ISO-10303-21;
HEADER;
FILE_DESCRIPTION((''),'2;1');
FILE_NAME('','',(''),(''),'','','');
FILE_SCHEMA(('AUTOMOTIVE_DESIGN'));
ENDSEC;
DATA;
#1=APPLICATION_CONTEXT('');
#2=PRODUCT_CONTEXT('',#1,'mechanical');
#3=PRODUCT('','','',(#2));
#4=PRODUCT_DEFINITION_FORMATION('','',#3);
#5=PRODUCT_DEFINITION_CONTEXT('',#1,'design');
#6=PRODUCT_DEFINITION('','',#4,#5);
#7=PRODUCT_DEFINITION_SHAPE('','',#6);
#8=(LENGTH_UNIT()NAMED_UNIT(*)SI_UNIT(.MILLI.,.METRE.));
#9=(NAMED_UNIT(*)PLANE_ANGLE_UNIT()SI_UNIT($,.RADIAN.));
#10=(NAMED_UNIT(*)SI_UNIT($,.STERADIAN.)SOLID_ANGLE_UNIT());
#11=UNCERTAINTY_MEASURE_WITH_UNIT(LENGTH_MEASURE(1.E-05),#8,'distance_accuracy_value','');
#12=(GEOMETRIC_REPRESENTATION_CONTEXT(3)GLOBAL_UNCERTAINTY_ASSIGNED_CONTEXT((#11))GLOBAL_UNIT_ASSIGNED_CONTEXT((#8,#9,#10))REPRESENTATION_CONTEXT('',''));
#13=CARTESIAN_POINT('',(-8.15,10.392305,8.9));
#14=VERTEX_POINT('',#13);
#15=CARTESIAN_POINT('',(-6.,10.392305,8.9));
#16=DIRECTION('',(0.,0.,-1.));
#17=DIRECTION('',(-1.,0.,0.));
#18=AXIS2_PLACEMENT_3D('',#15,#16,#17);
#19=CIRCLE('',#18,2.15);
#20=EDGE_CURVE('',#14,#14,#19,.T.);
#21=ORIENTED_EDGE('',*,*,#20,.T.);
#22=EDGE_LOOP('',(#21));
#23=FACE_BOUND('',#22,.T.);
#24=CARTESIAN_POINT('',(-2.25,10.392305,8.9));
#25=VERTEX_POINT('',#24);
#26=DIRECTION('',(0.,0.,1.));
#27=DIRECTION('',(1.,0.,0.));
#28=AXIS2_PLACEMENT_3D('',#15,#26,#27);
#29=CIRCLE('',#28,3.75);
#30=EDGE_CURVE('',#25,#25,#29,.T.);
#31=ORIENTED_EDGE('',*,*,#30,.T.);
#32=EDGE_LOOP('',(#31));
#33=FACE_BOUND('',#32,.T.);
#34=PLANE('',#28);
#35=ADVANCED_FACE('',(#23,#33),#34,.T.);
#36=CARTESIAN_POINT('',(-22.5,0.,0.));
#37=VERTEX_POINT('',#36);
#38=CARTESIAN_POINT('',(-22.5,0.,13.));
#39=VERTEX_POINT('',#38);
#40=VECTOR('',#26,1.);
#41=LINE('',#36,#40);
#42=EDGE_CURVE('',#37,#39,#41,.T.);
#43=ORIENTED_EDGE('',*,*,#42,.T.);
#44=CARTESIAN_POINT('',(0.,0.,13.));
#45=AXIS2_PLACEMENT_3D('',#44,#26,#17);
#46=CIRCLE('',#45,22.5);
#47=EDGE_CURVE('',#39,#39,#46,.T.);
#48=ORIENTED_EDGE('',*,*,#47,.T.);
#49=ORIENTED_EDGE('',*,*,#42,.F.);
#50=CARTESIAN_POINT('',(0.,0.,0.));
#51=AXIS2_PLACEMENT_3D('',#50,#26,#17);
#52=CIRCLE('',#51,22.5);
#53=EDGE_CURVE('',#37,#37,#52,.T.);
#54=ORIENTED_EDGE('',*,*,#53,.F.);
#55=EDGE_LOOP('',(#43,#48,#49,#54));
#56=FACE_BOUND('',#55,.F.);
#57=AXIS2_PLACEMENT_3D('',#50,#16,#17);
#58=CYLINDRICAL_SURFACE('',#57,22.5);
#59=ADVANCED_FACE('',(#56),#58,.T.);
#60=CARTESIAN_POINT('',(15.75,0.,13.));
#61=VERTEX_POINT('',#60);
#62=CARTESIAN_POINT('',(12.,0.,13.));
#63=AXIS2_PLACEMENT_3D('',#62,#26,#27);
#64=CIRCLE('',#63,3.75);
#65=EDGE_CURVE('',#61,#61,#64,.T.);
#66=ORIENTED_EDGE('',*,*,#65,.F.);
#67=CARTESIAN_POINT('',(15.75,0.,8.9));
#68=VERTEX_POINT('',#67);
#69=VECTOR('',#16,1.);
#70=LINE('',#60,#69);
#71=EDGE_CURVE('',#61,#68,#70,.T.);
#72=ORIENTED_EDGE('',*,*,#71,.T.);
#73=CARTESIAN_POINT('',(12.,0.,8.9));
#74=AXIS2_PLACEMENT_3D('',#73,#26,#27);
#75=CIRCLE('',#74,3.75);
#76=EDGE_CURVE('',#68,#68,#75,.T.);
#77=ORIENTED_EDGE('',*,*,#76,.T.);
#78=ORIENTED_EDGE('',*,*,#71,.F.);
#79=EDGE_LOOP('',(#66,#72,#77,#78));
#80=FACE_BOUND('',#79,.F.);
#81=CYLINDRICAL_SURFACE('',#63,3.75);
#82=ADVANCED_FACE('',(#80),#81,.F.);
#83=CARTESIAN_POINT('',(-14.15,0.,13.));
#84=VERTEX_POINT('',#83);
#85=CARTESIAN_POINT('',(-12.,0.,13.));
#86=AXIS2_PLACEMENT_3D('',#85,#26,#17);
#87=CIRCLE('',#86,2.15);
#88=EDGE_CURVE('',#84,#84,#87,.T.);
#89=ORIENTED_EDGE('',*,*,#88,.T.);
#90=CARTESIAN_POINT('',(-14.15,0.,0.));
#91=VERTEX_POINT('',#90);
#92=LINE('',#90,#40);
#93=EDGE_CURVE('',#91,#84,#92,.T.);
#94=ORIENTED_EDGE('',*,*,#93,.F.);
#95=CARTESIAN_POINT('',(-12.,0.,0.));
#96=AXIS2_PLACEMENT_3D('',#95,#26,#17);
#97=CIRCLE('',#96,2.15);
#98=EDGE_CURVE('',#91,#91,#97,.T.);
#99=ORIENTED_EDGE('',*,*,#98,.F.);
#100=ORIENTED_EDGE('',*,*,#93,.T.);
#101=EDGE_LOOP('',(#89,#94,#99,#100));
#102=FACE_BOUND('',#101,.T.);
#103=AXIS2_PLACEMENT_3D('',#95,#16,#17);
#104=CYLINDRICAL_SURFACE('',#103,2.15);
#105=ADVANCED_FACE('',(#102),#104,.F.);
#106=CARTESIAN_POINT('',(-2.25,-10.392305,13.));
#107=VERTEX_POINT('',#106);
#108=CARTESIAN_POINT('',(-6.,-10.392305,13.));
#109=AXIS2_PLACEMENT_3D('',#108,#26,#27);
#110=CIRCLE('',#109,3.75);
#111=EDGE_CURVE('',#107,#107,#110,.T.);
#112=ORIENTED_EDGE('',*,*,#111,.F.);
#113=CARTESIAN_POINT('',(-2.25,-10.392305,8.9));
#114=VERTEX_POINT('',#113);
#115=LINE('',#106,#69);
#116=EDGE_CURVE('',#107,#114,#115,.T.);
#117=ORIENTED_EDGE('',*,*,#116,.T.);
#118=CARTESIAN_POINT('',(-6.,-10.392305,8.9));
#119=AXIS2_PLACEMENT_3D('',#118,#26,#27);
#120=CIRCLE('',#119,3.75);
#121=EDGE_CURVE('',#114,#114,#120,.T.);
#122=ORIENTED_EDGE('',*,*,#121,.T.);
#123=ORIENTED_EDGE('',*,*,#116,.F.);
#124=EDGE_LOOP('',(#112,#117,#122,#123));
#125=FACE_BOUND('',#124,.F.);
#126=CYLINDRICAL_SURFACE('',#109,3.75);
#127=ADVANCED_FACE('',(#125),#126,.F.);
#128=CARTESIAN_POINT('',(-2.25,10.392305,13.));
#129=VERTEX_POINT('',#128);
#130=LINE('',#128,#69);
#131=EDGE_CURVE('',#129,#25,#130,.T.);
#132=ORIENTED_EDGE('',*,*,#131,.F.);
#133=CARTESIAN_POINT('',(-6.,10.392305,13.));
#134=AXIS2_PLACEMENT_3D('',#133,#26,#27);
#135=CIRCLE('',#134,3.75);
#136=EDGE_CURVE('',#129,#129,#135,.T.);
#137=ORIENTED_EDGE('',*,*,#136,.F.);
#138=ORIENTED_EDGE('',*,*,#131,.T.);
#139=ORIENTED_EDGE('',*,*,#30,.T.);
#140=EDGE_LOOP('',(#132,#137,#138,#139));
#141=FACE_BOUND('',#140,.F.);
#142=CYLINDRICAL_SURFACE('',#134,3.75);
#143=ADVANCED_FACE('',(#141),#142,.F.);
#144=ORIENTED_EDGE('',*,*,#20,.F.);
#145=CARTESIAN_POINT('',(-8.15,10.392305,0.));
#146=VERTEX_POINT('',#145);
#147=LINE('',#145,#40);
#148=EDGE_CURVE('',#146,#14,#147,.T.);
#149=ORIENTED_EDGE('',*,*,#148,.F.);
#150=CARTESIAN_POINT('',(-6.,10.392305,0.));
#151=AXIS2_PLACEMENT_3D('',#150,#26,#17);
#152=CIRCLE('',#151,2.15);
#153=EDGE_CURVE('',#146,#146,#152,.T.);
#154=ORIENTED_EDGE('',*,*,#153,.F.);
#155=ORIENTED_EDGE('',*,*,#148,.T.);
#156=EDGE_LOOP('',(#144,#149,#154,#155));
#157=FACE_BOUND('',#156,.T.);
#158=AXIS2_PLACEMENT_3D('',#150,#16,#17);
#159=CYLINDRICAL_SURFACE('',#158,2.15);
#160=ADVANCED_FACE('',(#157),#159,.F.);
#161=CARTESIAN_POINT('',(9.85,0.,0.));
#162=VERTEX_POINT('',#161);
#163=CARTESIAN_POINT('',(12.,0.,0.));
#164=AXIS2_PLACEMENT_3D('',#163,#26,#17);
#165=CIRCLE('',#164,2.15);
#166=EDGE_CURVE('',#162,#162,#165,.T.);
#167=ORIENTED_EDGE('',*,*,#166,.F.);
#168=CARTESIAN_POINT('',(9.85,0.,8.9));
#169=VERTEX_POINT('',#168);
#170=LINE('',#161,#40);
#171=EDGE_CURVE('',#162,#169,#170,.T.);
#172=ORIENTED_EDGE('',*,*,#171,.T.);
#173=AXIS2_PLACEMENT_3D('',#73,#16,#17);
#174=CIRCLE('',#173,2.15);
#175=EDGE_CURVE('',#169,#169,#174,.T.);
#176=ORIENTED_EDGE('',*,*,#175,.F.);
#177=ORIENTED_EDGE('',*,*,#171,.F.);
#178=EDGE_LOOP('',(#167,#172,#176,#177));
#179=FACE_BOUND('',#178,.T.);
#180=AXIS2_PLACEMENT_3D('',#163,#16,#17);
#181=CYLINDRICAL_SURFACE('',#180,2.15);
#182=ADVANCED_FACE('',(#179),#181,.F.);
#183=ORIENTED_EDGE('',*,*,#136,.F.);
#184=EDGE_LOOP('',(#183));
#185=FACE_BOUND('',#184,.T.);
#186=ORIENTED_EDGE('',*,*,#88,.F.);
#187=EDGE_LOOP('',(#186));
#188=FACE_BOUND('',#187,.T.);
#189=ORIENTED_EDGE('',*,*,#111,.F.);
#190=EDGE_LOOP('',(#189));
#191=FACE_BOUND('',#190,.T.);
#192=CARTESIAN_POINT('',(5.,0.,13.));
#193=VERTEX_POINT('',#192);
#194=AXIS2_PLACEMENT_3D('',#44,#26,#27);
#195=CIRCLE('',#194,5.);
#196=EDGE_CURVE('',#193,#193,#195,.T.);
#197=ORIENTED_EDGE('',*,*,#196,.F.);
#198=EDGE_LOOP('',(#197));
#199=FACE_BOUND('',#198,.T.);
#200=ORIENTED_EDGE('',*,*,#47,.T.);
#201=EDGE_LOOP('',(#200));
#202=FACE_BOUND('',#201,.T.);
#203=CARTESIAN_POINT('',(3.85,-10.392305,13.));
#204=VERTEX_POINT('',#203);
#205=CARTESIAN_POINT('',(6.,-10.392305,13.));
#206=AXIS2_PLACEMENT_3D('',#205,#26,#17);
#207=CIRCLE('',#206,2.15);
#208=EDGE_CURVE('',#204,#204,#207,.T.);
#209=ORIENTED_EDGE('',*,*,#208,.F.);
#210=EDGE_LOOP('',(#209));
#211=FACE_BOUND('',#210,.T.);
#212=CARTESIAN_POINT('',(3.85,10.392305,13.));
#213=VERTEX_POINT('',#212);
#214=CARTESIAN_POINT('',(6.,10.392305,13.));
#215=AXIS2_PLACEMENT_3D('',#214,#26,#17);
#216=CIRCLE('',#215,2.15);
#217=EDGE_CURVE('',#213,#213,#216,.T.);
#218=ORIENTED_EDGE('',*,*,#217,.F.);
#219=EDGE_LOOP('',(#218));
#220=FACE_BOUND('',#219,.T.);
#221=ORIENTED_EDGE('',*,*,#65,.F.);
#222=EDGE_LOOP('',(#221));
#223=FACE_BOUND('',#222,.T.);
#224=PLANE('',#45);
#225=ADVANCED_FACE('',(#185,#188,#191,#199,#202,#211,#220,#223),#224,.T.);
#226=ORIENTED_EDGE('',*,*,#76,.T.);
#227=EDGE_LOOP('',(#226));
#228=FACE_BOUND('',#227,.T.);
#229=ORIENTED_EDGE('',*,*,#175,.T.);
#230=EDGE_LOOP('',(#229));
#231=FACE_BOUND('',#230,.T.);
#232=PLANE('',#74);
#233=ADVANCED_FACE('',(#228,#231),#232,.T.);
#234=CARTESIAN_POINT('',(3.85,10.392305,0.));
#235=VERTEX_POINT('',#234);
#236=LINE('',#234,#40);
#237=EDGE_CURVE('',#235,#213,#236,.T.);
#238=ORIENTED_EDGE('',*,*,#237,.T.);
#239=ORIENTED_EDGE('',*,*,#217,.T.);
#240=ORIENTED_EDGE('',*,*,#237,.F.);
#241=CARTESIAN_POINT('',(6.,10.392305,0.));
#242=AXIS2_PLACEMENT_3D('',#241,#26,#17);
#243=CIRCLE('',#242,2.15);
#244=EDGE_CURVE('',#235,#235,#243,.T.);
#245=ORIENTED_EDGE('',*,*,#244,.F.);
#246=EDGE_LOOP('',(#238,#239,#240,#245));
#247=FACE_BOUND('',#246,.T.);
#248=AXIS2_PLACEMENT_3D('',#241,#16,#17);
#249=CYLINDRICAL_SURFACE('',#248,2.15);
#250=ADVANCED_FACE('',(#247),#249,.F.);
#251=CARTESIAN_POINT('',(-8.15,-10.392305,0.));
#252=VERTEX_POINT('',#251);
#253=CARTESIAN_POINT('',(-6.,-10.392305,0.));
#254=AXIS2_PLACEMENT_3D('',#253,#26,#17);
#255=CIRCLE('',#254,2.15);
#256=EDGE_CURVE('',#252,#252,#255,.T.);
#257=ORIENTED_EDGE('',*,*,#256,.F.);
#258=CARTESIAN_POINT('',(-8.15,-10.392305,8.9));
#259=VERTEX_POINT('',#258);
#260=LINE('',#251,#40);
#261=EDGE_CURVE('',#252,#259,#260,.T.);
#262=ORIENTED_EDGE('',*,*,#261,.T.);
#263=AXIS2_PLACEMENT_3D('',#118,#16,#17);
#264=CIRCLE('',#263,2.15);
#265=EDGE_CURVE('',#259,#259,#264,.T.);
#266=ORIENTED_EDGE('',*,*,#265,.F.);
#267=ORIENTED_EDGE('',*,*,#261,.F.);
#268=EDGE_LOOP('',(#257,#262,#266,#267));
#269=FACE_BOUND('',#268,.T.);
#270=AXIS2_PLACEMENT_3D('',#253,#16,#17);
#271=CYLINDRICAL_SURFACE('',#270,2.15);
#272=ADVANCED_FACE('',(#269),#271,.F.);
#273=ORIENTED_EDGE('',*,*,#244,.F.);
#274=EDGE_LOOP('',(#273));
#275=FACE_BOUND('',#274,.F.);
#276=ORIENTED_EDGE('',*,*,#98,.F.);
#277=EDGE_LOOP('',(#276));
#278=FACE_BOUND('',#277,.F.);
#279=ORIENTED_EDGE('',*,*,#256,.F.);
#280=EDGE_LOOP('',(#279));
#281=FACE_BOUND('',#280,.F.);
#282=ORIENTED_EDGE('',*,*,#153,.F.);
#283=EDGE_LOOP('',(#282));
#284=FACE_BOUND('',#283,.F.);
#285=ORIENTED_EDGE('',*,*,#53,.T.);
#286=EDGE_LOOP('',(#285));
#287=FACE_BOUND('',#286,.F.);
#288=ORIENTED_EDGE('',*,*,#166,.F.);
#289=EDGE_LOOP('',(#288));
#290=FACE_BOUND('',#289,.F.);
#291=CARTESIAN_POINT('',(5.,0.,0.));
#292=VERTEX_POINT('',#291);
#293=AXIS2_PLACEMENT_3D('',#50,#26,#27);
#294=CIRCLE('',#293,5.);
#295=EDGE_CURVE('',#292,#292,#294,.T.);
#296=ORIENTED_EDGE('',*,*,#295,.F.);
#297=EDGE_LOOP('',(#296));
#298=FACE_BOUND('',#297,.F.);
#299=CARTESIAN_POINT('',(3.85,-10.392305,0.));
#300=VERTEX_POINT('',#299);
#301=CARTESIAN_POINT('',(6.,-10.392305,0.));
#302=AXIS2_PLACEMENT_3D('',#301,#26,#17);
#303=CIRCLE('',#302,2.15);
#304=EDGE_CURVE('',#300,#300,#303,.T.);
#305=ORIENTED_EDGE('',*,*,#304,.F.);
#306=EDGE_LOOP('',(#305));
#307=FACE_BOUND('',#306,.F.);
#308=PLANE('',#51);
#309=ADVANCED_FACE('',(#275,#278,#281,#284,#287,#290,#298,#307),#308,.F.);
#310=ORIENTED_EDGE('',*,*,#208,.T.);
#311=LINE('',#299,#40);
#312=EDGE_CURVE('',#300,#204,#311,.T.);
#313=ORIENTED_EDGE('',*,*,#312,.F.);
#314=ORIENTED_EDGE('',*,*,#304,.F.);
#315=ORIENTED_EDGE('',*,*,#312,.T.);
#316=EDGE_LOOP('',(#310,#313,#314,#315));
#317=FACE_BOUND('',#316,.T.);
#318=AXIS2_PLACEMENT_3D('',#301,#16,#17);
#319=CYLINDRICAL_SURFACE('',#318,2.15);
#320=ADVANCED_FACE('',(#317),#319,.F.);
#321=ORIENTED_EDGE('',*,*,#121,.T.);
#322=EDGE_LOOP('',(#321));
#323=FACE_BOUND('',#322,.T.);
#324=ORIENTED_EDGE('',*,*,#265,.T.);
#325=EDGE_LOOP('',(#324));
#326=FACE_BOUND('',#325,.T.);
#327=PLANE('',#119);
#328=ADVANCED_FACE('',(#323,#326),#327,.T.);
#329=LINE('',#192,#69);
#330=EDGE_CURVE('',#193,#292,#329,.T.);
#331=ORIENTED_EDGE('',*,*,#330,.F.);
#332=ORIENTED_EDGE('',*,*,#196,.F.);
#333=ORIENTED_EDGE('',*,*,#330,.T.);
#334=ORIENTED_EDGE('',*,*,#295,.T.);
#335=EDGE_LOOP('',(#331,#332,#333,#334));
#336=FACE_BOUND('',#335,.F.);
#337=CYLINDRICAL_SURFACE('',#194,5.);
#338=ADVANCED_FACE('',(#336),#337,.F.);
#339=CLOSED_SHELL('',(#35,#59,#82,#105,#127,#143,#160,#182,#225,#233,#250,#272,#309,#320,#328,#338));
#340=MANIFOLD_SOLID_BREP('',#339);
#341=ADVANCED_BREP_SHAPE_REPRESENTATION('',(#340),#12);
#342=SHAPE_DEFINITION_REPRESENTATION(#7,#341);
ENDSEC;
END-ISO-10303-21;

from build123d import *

# Parameters (mm, degrees)
SKETCH2_R           = 22.5
SKETCH2_R_2         = 2.15
BOSS_EXTRUDE1_DEPTH = 13
SKETCH3_R           = 3.75
CUT_EXTRUDE1_DEPTH  = 4.1
SKETCH5_R           = 5
CUT_EXTRUDE3_DEPTH  = 35.372954485


with BuildPart() as part:
    # Sketch2 → Boss-Extrude1 (new body)
    with BuildSketch(Plane.XY):
        with Locations(Location((0, 0, 0), (0, 0, 180))):
            Circle(SKETCH2_R)
        with Locations(Location((12, 0, 0), (0, 0, 180))):
            Circle(SKETCH2_R_2, mode=Mode.SUBTRACT)
        with Locations(Location((6, -10.392304845, 0), (0, 0, 180))):
            Circle(SKETCH2_R_2, mode=Mode.SUBTRACT)
        with Locations(Location((-6, -10.392304845, 0), (0, 0, 180))):
            Circle(SKETCH2_R_2, mode=Mode.SUBTRACT)
        with Locations(Location((-12, 0, 0), (0, 0, 180))):
            Circle(SKETCH2_R_2, mode=Mode.SUBTRACT)
        with Locations(Location((-6, 10.392304845, 0), (0, 0, 180))):
            Circle(SKETCH2_R_2, mode=Mode.SUBTRACT)
        with Locations(Location((6, 10.392304845, 0), (0, 0, 180))):
            Circle(SKETCH2_R_2, mode=Mode.SUBTRACT)
    extrude(amount=BOSS_EXTRUDE1_DEPTH)

    # Sketch3 → Cut-Extrude1 (cut)
    with BuildSketch(Plane.XY.offset(13)):
        with Locations((-6, 10.392304845)):
            Circle(SKETCH3_R)
        with Locations((-6, -10.392304845)):
            Circle(SKETCH3_R)
        with Locations((12, 0)):
            Circle(SKETCH3_R)
    extrude(amount=-CUT_EXTRUDE1_DEPTH, mode=Mode.SUBTRACT)

    # Sketch5 → Cut-Extrude3 (cut, through all)
    with BuildSketch(Plane.XY.offset(13)):
        Circle(SKETCH5_R)
    extrude(amount=-CUT_EXTRUDE3_DEPTH, mode=Mode.SUBTRACT)


solid = part.part
